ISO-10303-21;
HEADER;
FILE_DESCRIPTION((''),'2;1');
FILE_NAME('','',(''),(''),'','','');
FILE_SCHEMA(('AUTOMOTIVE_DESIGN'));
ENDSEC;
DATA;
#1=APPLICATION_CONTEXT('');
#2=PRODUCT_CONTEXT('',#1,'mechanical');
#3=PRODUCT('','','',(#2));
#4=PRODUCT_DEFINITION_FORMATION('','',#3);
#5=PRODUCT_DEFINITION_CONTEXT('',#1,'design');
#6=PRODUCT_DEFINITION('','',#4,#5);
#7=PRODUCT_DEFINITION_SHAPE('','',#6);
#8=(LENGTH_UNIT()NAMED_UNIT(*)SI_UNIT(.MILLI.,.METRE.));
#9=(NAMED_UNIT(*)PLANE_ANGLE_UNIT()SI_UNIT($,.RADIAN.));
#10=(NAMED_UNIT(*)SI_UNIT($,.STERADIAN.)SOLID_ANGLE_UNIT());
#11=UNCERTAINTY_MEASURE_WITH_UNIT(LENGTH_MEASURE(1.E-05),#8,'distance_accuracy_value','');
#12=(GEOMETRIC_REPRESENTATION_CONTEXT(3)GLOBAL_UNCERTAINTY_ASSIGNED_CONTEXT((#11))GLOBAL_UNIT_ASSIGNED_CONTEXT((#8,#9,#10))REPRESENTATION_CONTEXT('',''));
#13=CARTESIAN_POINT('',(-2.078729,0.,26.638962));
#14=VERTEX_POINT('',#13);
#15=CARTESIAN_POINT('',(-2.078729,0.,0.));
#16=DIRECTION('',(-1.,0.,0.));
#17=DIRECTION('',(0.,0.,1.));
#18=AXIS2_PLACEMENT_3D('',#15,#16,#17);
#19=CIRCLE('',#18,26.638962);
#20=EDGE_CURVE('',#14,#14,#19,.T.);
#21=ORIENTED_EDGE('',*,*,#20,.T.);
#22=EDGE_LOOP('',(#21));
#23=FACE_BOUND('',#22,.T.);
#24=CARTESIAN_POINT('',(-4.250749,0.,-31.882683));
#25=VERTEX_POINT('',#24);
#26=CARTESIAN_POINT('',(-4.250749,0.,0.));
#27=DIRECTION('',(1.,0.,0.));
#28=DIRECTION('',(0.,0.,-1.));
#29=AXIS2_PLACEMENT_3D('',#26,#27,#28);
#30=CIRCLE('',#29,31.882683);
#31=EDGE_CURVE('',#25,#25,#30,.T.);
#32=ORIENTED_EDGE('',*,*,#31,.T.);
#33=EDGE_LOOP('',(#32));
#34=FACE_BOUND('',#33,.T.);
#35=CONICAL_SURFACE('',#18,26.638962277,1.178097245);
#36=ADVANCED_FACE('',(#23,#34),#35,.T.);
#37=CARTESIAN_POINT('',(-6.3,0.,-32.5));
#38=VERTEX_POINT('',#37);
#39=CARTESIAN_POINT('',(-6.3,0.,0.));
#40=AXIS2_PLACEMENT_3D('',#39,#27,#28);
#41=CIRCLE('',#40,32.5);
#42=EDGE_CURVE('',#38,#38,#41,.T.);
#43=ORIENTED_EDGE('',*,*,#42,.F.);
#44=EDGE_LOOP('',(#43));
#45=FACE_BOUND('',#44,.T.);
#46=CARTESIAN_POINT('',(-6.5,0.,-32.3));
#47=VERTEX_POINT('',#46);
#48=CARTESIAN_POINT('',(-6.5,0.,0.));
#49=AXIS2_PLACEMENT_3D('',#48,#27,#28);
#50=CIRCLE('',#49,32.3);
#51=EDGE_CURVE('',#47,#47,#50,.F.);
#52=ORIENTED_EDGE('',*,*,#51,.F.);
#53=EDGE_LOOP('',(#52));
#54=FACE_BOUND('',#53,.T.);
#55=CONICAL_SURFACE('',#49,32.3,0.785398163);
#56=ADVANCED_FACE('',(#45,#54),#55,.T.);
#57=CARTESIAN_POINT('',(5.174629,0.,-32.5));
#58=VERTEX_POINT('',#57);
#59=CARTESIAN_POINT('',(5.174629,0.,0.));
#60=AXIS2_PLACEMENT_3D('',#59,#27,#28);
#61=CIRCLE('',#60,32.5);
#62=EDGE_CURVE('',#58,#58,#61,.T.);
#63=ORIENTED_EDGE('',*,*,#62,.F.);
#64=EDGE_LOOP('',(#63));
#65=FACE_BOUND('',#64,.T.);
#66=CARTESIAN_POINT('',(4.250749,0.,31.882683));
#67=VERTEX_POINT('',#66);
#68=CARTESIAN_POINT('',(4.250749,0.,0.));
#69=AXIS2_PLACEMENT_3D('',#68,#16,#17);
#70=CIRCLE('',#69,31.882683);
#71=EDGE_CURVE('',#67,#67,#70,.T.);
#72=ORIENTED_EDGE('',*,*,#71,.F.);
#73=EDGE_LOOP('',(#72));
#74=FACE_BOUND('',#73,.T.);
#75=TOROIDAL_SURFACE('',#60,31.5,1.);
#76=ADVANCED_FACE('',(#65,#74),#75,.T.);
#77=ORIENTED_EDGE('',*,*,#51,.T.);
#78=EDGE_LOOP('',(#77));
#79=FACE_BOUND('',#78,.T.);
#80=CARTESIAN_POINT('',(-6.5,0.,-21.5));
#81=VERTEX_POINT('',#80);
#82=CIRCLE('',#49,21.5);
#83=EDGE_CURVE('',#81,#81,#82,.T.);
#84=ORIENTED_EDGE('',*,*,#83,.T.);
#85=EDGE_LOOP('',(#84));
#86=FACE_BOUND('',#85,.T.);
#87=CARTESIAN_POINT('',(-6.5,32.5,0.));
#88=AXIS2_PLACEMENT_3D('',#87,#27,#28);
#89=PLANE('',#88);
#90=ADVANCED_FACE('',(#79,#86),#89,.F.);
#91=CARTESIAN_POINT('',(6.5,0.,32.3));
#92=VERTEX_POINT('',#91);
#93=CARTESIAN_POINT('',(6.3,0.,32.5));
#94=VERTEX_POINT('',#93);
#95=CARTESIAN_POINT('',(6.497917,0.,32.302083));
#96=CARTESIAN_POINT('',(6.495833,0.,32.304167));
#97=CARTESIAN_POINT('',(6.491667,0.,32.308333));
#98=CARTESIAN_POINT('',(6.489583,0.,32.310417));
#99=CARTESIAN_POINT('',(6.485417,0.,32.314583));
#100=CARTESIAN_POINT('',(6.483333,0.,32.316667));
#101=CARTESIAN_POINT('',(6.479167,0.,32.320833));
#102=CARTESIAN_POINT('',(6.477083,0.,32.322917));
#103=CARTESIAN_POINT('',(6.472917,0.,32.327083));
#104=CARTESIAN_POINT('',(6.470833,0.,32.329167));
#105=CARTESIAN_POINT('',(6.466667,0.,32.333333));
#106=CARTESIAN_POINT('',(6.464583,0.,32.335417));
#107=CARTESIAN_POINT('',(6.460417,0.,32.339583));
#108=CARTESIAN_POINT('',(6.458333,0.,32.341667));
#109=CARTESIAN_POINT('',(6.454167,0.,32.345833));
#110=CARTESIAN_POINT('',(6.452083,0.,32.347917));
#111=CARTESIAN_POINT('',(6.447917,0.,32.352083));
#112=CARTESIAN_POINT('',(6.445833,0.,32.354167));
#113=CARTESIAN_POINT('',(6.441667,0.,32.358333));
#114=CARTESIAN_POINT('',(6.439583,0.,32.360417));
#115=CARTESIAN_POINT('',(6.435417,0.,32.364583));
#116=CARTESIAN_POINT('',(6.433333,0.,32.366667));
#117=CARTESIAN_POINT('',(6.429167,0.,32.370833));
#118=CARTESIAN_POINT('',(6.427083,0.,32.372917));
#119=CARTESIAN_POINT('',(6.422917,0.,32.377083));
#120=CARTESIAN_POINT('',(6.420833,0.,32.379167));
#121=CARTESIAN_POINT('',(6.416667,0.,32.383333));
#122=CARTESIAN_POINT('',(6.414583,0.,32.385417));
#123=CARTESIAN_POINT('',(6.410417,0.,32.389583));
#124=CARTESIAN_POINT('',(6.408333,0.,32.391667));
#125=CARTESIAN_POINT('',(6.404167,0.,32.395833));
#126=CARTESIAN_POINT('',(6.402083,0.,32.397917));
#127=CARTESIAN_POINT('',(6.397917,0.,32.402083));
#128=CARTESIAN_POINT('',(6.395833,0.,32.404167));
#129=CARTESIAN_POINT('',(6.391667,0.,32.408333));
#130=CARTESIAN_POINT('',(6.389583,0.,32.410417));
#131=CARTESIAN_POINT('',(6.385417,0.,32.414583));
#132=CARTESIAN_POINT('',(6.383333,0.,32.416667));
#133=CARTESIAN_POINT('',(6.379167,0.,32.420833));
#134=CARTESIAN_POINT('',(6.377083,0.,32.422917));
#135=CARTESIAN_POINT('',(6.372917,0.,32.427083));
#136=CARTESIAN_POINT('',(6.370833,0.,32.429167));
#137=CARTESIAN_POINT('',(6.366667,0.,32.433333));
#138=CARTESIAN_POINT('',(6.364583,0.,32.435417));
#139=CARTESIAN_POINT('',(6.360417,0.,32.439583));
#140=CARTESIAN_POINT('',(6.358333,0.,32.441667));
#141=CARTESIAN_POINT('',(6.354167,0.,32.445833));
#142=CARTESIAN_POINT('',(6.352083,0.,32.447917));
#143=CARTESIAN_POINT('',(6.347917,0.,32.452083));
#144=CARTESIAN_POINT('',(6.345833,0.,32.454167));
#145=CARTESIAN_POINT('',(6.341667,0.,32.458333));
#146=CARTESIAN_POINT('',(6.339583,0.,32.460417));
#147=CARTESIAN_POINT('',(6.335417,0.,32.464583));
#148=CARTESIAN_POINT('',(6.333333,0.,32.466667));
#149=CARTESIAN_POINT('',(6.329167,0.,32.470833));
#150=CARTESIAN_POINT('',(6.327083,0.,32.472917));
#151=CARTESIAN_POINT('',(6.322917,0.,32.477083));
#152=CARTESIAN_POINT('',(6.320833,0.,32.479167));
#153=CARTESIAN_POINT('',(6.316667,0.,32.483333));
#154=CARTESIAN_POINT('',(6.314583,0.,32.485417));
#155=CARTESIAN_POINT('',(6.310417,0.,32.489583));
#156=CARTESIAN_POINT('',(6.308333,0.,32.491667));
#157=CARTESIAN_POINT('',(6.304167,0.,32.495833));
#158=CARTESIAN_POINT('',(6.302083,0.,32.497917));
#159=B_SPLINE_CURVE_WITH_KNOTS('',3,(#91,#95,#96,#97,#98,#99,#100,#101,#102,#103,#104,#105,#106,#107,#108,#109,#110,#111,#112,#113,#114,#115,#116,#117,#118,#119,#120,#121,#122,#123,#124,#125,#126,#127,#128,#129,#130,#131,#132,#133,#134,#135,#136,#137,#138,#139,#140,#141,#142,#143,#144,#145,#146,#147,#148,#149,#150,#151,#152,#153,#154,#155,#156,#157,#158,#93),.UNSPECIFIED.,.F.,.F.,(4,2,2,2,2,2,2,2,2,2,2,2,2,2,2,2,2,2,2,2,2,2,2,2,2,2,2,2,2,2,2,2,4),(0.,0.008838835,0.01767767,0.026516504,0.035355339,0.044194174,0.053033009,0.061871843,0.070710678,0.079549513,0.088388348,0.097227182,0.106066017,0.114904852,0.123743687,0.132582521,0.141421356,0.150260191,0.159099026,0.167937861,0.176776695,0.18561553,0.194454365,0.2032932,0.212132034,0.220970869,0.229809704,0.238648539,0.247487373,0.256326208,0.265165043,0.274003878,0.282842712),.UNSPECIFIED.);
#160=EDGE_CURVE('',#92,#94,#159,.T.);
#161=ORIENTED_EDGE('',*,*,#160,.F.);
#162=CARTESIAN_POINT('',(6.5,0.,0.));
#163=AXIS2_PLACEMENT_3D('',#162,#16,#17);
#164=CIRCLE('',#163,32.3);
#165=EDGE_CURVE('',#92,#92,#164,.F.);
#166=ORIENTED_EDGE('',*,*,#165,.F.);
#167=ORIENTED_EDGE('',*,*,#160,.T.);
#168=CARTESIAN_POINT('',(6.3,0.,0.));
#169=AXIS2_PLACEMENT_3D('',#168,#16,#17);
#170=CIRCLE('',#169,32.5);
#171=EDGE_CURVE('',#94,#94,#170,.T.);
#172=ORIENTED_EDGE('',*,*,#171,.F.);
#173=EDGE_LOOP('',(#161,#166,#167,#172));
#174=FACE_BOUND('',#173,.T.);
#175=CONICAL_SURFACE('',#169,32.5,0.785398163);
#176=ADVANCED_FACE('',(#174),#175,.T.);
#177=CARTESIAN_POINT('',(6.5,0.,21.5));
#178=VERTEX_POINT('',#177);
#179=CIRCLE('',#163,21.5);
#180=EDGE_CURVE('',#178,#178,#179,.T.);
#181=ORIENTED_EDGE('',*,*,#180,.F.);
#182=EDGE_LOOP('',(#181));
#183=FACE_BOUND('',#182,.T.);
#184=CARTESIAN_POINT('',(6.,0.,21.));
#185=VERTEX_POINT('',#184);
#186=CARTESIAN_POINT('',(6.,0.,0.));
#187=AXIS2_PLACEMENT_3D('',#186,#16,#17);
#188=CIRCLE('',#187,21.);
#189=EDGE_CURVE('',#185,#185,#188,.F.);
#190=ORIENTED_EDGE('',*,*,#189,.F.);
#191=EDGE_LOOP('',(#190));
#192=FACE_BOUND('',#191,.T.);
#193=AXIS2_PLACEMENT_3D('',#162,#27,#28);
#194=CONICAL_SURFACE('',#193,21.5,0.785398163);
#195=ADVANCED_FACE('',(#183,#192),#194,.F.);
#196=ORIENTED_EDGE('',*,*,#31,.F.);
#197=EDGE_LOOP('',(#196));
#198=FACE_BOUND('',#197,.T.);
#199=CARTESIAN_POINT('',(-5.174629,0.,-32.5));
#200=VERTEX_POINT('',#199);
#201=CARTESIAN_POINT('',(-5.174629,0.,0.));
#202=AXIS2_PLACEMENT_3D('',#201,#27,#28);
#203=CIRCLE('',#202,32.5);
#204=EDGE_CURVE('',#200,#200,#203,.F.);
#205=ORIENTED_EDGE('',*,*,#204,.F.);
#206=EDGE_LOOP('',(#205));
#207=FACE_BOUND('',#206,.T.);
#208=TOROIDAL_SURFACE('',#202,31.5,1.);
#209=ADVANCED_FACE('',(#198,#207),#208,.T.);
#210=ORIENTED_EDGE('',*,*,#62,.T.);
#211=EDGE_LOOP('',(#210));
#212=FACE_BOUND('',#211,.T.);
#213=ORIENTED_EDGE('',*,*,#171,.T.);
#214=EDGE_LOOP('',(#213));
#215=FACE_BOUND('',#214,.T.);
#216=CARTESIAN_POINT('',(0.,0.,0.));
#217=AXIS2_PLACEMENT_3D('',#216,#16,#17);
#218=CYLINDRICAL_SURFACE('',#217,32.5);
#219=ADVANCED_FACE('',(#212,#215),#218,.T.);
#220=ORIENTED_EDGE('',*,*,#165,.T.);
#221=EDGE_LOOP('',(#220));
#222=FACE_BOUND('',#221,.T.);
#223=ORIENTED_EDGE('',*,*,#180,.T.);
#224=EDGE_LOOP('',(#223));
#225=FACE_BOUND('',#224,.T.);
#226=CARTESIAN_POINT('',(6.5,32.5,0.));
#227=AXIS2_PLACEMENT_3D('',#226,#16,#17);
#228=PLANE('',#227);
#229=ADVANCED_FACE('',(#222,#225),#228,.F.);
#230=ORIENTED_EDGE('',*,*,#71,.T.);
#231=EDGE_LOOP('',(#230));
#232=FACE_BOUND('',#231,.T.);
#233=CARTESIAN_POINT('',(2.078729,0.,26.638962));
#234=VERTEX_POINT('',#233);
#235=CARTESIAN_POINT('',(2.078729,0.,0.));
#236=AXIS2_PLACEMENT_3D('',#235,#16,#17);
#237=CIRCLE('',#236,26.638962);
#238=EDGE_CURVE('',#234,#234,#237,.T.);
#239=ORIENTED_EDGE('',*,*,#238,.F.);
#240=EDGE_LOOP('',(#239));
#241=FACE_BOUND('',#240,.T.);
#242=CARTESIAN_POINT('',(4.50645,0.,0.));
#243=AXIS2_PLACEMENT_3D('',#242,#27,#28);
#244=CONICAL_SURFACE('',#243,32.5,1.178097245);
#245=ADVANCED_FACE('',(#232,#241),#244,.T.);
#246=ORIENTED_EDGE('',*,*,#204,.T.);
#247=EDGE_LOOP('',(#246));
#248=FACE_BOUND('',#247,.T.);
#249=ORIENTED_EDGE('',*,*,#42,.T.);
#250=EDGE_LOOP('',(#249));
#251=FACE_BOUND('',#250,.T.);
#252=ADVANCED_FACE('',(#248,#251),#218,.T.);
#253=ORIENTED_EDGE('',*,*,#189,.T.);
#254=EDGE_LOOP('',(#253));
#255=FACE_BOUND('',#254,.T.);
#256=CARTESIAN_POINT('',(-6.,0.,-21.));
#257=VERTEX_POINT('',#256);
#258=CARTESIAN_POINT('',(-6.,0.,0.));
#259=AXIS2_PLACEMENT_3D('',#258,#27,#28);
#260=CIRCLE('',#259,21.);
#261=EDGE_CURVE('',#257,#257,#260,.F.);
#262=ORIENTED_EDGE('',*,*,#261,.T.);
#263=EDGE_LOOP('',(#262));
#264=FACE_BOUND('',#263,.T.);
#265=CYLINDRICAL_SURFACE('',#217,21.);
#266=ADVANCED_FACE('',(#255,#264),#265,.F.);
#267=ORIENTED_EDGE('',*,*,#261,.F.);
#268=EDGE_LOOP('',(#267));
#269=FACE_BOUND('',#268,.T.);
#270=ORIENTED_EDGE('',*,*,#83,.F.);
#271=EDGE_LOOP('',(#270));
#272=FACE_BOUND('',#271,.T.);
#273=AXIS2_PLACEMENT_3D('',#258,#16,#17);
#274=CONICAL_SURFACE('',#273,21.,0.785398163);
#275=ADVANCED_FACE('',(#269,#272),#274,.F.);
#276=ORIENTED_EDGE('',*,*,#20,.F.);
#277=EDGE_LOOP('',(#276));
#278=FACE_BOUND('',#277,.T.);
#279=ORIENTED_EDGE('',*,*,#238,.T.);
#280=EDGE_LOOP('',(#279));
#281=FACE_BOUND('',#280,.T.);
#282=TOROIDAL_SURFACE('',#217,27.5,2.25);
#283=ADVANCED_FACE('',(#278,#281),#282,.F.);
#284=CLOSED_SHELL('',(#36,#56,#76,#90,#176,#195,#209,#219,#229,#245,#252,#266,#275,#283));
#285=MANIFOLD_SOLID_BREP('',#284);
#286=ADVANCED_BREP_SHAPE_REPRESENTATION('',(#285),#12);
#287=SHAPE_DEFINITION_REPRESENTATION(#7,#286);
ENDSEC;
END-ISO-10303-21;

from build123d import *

# Parameters (mm, degrees)
FILETE2_R     = 1
CHANFRO2_SIZE = 0.2
CHANFRO3_SIZE = 0.5


with BuildPart() as part:
    # Esboço1 → Revolução1 (revolve)
    with BuildSketch(Plane.XY, mode=Mode.PRIVATE) as revolu_o1_sk:
        with BuildLine():
            Line((4.506450263, 32.5), (2.078728948, 26.638962277))
            ThreePointArc((2.078728948, 26.638962277), (0, 25.25), (-2.078728948, 26.638962277))
            Line((-2.078728948, 26.638962277), (-4.506450263, 32.5))
            Line((-4.506450263, 32.5), (-6.5, 32.5))
            Line((-6.5, 32.5), (-6.5, 21))
            Line((-6.5, 21), (6.5, 21))
            Line((6.5, 21), (6.5, 32.5))
            Line((6.5, 32.5), (4.506450263, 32.5))
        make_face()
    revolve(revolu_o1_sk.sketch.rotate(Axis((0, 0, 0), (1, 0, 0)), 90), axis=Axis((0, 0, 0), (1, 0, 0)))

    # Filete2
    filete2_edges = [part.edges().sort_by_distance(p)[0] for p in [
        (-4.506450263, 0, -32.5),
        (4.506450263, 0, -32.5),
    ]]
    fillet(filete2_edges, radius=FILETE2_R)

    # Chanfro2
    chanfro2_edges = [part.edges().sort_by_distance(p)[0] for p in [
        (6.5, 0, -32.5),
        (-6.5, 0, -32.5),
    ]]
    chamfer(chanfro2_edges, length=CHANFRO2_SIZE)

    # Chanfro3
    chanfro3_edges = [part.edges().sort_by_distance(p)[0] for p in [
        (6.5, 0, -21),
        (-6.5, 0, -21),
    ]]
    chamfer(chanfro3_edges, length=CHANFRO3_SIZE)


solid = part.part
